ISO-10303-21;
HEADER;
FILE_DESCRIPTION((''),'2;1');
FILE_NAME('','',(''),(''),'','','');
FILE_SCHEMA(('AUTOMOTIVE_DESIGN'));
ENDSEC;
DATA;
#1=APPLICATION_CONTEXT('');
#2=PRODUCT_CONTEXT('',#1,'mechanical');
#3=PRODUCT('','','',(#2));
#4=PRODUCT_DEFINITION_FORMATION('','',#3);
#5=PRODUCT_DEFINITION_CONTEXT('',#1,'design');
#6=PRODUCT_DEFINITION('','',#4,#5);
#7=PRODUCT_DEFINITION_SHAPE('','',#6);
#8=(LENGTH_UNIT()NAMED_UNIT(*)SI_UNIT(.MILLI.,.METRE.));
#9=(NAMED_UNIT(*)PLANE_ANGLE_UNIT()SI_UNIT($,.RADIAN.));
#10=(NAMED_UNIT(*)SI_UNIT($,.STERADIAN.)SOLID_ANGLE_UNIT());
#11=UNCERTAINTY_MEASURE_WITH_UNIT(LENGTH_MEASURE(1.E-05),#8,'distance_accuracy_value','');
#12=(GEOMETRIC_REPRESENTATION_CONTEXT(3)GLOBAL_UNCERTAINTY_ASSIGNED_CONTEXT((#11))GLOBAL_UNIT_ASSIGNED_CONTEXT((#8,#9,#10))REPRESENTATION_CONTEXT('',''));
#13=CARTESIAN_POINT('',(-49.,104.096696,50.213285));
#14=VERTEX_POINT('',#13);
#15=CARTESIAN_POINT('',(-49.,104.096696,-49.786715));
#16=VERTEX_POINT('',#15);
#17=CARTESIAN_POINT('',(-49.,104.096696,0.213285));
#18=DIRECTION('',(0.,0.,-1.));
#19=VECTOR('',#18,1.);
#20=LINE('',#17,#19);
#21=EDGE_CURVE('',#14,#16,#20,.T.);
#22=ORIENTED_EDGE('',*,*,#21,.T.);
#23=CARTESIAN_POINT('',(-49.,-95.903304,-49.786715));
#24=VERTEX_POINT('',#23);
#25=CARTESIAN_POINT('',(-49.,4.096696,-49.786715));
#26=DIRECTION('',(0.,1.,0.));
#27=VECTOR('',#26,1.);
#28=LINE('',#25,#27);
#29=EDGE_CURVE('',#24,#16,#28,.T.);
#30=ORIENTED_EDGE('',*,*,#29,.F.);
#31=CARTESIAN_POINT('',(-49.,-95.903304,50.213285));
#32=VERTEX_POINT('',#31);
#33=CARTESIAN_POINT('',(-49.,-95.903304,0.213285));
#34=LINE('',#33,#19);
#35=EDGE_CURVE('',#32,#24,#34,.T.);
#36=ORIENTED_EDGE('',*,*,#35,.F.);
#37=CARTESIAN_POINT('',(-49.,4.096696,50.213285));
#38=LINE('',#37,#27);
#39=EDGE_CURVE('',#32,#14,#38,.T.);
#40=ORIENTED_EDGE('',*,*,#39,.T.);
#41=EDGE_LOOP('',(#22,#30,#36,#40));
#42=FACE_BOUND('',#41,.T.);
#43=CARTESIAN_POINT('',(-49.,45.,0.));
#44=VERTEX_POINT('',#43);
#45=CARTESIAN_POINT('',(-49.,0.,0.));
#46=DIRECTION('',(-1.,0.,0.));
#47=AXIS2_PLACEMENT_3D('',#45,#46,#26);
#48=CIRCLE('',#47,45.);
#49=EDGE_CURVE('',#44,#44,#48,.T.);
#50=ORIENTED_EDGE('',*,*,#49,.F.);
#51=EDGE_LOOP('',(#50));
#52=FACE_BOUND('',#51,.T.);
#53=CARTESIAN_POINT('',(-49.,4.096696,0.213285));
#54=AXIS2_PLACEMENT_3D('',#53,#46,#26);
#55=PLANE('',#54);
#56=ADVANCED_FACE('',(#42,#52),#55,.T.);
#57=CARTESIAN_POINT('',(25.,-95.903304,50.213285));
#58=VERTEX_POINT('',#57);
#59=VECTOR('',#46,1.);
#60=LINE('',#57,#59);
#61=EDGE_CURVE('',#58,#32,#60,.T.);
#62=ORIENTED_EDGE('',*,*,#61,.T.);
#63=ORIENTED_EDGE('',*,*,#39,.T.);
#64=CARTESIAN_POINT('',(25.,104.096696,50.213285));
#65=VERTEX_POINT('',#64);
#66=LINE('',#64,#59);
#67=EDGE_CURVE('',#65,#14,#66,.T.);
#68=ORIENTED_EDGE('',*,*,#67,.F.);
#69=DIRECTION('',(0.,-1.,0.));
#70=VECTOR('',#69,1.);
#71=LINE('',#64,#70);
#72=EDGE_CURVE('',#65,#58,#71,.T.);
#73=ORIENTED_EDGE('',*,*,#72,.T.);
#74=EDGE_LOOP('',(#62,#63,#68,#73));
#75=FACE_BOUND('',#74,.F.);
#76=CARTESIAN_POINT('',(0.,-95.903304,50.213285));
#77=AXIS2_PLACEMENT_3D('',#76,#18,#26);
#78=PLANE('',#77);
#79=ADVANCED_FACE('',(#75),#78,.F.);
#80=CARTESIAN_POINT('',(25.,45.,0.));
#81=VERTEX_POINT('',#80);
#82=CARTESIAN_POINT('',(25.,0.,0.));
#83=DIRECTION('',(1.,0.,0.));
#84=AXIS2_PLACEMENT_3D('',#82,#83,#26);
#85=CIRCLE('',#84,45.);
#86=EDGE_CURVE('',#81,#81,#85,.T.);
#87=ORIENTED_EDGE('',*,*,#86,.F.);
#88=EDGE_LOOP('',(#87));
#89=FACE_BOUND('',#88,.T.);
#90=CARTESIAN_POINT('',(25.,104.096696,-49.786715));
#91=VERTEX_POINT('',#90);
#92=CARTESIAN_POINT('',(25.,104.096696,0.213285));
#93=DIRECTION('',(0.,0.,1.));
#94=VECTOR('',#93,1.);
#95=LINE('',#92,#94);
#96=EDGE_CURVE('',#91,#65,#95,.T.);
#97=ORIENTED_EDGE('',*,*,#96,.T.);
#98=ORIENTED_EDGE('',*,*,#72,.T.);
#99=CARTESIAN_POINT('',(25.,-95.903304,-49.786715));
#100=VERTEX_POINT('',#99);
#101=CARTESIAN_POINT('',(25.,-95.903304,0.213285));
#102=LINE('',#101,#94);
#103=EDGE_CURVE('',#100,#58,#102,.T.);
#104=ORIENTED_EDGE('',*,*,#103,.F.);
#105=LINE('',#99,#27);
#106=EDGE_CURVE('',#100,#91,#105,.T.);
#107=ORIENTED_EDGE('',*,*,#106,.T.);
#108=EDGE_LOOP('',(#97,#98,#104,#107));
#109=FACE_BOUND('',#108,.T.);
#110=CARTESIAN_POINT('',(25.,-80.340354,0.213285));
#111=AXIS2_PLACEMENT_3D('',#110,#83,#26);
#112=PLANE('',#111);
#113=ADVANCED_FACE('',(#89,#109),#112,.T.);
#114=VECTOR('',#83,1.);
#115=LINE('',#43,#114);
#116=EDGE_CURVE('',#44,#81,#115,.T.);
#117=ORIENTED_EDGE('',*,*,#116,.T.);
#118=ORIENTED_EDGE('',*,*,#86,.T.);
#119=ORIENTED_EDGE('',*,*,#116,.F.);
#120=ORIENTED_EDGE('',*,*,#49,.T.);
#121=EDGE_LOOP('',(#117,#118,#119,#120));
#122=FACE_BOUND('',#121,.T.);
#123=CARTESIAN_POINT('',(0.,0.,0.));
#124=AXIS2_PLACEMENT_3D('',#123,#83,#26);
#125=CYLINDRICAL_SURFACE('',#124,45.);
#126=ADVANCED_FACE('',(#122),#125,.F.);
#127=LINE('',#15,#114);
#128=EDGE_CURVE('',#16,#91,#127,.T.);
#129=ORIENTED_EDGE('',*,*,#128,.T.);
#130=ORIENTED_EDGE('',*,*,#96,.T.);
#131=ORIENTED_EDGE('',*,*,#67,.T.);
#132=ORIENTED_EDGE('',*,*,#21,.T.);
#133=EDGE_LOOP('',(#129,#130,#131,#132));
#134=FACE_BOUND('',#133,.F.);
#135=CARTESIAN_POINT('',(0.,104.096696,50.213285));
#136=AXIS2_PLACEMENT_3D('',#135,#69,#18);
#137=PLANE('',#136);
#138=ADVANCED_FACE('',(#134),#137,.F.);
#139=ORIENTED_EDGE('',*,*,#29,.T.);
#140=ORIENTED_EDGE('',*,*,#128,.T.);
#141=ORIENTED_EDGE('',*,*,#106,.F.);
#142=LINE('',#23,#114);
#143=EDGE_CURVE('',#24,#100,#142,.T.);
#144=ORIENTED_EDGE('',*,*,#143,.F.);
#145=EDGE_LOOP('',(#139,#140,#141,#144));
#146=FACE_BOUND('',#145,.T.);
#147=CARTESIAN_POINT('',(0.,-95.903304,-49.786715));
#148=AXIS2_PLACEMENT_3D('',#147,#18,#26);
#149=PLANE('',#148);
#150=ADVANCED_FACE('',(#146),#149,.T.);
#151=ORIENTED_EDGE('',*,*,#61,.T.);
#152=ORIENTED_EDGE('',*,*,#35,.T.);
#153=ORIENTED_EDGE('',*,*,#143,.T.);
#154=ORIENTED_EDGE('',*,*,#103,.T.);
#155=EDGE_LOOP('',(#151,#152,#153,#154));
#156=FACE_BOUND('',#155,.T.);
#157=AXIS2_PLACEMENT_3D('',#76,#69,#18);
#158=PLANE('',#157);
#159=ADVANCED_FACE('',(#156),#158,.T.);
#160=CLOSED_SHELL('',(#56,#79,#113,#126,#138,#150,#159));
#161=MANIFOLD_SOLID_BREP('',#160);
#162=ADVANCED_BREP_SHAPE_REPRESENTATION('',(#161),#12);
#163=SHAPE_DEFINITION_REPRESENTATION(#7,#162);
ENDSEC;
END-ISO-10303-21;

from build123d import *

# Parameters (mm, degrees)
F0_W      = 31.1259
F0_H      = 100
F0_W_2    = 150
F0_R      = 45
F0_W_3    = 18.8741
F1_DEPTH  = 25
F1_FACE_W = 200
F1_FACE_H = 100
F1_FACE_R = 45
F2_DEPTH  = 49


with BuildPart() as f1:
    # F0 (on Right) → F1 (new body)
    with BuildSketch(Plane.YZ):
        with Locations((-80.340354, 0.213285)):
            Rectangle(F0_W, F0_H)
        with Locations((10.222596, 0.213285)):
            Rectangle(F0_W_2, F0_H)
        Circle(F0_R, mode=Mode.SUBTRACT)
        with Locations((94.659646, 0.213285)):
            Rectangle(F0_W_3, F0_H)
    extrude(amount=F1_DEPTH)

    # F1_face (on face) → F2 (join)
    with BuildSketch(Plane(origin=(0, 6.007645, 0.312774), x_dir=(0, 1, 0), z_dir=(-1, 0, 0))):
        with Locations((-1.910949, 0.099489)):
            Rectangle(F1_FACE_W, F1_FACE_H)
        with Locations((-6.007645, 0.312774)):
            Circle(F1_FACE_R, mode=Mode.SUBTRACT)
    extrude(amount=F2_DEPTH)


solid = f1.part
